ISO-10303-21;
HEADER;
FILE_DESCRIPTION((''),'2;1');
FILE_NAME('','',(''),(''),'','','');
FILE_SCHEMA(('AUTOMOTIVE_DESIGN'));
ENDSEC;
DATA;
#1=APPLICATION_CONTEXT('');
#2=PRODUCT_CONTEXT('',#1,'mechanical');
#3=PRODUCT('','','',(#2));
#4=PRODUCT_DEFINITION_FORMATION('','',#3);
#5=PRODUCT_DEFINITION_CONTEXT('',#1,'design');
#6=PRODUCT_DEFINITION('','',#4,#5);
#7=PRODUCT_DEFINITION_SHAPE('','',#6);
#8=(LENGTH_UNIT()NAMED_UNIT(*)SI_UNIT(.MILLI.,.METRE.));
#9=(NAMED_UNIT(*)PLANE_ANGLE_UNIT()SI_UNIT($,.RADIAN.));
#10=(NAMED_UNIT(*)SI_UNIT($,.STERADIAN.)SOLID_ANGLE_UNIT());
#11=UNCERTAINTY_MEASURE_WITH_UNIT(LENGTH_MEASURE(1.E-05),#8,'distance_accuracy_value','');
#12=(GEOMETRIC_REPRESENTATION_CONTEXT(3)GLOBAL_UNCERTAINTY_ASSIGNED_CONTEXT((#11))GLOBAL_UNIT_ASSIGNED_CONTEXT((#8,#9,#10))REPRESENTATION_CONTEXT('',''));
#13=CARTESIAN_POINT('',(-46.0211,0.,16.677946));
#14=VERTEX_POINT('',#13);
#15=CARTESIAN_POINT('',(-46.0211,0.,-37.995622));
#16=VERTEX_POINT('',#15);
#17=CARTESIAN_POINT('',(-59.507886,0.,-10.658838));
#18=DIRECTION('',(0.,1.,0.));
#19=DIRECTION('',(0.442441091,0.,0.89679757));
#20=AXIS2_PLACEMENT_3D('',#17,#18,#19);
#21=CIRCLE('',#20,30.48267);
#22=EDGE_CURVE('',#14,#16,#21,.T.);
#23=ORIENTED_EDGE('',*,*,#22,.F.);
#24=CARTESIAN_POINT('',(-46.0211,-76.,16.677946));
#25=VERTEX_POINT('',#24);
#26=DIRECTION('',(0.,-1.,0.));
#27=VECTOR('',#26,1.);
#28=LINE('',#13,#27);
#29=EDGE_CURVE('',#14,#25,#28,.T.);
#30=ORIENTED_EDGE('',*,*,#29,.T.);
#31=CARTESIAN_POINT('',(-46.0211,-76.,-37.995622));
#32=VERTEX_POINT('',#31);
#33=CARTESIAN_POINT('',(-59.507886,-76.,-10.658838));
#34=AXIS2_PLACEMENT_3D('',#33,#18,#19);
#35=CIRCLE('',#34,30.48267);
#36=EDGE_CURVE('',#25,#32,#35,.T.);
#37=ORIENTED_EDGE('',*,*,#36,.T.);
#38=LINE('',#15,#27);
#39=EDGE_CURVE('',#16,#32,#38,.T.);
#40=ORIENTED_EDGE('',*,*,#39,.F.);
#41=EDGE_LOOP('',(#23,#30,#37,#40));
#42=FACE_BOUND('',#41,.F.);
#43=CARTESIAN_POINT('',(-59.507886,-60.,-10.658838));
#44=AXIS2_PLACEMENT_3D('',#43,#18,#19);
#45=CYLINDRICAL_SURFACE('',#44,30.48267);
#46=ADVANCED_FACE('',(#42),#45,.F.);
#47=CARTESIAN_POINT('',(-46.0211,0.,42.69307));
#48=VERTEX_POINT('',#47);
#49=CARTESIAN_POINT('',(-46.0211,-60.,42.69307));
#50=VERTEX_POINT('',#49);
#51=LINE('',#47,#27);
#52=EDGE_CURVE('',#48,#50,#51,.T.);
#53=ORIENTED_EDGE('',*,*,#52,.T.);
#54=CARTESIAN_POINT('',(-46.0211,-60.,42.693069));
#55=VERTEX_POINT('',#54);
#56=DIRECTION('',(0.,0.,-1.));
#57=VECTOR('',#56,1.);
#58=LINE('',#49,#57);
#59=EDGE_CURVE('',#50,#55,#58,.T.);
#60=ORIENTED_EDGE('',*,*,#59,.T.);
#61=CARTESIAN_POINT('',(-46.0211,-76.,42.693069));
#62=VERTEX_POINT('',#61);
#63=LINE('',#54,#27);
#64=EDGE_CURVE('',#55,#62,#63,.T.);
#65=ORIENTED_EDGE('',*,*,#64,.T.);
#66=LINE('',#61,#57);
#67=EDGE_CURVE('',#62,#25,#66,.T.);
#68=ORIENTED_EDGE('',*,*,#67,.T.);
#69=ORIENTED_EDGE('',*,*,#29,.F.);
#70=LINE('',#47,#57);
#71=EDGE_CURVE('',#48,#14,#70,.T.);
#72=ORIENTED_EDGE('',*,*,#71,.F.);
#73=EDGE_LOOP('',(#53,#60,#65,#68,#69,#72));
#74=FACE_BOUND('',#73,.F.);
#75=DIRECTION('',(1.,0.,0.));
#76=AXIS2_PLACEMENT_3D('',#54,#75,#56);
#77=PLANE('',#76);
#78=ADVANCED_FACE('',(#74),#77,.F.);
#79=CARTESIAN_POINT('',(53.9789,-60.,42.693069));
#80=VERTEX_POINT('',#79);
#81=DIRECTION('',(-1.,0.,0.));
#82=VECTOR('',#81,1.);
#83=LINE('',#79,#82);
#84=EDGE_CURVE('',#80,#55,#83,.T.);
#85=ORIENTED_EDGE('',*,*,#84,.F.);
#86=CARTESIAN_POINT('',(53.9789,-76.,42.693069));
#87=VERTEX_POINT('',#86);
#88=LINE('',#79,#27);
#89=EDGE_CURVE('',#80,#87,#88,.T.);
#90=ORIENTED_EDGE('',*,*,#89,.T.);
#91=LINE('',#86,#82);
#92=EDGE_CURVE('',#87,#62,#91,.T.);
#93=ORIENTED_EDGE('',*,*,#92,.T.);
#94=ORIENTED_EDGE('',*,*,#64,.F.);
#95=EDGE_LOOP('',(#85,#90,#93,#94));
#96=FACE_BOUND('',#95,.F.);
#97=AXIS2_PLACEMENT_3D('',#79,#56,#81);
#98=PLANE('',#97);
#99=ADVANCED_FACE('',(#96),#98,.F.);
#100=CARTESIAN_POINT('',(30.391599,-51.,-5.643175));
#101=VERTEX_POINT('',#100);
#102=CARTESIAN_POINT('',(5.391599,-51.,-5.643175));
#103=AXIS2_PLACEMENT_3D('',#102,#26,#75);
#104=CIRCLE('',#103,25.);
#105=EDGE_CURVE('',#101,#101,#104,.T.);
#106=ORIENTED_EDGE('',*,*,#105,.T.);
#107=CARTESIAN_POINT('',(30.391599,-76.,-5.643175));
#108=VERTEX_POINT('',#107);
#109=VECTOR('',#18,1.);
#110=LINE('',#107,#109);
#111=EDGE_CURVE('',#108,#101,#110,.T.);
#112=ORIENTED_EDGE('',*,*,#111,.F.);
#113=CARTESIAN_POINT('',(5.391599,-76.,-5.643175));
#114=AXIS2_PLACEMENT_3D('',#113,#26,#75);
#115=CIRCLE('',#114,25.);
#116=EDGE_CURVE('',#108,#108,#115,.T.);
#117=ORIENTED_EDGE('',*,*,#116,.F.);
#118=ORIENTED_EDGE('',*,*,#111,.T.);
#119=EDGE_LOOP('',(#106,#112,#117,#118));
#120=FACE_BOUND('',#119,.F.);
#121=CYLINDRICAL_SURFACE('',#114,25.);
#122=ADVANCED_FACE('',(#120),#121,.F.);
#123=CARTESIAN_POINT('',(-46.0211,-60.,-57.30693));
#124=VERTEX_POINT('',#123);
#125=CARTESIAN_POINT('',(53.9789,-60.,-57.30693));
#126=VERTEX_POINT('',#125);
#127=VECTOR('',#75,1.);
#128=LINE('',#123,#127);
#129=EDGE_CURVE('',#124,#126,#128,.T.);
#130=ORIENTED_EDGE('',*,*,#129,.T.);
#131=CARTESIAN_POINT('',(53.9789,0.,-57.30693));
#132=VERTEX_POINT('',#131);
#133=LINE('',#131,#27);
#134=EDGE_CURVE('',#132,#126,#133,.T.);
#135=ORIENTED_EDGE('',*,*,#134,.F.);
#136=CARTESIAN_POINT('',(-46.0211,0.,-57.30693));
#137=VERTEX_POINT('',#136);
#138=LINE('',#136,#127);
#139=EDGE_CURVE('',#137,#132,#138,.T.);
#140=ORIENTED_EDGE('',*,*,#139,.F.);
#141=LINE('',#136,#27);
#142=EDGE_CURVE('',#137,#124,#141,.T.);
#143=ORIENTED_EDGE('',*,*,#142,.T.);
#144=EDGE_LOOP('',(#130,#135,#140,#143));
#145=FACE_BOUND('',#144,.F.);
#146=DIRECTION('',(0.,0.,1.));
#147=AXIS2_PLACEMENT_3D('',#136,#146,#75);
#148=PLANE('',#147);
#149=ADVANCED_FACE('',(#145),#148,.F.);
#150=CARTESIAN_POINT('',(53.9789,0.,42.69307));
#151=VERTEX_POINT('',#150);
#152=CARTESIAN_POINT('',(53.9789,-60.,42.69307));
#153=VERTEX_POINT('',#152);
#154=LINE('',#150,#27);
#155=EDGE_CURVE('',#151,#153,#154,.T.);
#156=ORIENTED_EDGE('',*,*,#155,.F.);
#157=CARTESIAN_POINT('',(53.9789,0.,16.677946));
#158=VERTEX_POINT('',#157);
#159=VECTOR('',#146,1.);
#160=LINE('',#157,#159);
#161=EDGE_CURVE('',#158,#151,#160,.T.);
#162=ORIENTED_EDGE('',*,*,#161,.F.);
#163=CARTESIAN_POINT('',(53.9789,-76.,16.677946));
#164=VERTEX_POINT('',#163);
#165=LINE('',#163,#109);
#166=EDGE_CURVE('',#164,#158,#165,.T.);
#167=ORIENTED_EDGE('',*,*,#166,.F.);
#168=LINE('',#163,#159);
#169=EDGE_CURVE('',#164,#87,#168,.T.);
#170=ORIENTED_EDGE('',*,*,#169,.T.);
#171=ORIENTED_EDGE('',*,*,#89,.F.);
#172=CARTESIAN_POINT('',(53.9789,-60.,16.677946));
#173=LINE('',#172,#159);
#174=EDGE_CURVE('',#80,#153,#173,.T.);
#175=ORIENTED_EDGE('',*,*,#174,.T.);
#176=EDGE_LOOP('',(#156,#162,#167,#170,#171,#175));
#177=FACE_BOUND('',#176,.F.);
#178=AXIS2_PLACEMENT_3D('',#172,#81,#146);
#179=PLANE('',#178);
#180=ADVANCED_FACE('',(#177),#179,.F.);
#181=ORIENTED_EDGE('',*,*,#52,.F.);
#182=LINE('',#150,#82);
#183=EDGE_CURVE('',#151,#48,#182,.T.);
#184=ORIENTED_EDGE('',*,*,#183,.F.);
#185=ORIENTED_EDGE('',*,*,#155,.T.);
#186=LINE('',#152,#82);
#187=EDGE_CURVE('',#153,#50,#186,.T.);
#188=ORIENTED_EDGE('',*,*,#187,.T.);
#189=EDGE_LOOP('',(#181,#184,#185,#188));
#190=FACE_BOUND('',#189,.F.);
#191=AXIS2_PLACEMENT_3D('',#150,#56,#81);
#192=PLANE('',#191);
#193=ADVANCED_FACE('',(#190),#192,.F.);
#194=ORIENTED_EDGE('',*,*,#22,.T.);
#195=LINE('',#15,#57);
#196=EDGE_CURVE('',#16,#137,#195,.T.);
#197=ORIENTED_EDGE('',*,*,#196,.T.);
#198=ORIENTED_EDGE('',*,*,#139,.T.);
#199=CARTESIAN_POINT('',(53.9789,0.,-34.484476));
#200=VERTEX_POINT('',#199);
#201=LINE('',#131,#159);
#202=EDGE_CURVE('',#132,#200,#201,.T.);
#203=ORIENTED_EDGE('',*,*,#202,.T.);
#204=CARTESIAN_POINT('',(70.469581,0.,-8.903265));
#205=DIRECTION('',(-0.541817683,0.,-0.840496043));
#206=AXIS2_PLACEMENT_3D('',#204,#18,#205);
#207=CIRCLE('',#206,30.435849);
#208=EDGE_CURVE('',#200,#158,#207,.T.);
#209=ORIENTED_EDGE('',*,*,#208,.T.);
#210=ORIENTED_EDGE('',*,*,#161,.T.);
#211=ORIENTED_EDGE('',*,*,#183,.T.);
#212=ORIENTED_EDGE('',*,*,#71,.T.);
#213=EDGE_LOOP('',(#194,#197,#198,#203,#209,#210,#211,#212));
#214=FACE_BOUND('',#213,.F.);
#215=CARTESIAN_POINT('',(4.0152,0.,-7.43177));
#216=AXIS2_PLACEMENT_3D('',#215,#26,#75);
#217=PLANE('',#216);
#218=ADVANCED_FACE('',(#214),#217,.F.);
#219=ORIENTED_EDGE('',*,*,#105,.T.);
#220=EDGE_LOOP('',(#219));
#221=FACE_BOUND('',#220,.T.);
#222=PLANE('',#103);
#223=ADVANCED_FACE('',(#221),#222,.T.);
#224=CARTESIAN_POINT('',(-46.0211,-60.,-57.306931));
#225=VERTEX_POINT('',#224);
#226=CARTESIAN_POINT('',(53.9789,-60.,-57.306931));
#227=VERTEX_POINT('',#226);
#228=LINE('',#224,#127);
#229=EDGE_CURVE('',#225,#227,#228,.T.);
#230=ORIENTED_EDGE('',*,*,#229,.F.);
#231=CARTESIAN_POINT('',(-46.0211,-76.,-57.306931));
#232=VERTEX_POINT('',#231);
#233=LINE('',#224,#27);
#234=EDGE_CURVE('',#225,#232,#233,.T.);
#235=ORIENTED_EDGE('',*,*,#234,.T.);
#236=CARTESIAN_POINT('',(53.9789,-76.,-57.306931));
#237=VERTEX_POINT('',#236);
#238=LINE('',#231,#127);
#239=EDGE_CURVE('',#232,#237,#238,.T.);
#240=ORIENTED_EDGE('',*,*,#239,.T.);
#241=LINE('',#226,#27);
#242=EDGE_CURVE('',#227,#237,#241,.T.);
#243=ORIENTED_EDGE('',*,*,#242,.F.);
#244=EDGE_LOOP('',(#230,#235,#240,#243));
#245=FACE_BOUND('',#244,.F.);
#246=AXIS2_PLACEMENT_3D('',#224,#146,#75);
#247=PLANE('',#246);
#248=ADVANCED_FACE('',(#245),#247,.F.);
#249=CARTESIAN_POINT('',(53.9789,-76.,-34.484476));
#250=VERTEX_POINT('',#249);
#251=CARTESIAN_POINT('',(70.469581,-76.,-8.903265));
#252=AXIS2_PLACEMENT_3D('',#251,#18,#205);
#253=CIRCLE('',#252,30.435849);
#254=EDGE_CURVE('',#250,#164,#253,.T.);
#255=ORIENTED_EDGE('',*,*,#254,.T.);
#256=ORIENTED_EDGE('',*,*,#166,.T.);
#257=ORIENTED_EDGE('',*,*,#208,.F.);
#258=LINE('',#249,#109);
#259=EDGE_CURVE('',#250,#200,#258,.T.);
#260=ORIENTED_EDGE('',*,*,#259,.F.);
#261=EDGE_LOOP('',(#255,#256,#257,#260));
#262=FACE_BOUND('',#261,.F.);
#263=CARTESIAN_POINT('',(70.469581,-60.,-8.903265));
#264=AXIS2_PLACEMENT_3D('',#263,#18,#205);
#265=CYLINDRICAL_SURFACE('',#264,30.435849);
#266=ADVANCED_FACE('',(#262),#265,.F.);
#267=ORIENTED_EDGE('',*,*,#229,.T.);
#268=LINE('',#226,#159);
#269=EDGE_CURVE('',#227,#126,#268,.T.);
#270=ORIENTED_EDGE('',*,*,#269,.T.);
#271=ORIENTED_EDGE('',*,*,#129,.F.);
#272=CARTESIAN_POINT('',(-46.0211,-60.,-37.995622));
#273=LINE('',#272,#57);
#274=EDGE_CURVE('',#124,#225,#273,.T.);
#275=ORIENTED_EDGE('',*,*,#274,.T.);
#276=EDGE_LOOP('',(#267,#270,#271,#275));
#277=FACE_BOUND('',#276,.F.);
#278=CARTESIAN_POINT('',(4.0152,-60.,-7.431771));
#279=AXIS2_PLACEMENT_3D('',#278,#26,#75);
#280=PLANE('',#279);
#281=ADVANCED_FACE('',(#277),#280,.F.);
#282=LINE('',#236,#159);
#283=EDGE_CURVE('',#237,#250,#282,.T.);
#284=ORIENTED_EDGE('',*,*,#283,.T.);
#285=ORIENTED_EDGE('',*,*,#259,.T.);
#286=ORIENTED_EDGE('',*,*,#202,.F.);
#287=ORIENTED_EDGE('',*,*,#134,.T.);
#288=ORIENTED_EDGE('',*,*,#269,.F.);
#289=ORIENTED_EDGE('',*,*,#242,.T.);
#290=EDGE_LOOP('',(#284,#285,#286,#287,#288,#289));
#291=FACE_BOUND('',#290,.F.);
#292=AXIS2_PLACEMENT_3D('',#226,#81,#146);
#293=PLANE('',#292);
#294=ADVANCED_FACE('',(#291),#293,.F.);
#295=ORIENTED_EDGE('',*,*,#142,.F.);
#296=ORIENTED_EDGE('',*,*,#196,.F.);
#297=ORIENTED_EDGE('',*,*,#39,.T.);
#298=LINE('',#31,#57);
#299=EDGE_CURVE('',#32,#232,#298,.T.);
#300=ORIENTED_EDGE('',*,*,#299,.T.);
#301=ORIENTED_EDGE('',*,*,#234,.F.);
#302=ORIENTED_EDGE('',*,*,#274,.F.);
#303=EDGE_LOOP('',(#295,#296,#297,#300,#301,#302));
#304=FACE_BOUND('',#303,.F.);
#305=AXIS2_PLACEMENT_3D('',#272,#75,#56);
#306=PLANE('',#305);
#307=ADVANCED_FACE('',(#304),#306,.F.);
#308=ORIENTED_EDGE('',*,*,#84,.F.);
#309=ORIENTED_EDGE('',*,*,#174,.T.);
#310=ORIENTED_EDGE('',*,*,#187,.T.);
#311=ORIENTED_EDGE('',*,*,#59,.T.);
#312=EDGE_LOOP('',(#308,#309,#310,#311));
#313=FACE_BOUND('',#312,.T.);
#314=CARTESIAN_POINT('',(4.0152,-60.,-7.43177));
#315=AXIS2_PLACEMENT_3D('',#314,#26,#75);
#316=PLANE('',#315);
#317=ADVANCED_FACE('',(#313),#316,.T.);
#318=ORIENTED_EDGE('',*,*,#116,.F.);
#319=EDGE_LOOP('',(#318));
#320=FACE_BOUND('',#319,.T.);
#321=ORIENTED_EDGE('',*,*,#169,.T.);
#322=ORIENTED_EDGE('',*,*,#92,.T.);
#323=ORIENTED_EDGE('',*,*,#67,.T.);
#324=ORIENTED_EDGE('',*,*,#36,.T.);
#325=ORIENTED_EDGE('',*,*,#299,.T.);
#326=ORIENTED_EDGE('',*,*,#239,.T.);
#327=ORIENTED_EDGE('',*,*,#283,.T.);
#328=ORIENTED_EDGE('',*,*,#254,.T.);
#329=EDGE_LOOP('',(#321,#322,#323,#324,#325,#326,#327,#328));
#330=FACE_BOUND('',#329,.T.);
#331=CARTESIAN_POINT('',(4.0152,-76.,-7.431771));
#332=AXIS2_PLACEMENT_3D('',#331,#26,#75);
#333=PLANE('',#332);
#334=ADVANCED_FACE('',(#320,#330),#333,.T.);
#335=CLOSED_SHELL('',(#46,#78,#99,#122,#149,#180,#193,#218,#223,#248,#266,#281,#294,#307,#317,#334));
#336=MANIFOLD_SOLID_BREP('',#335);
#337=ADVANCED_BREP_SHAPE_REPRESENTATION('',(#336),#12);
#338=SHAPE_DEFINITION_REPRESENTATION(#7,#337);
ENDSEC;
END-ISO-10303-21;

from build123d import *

# Parameters (mm, degrees)
F1_DEPTH = 60
F2_DEPTH = 16
F3_R     = 25
F4_DEPTH = 25


with BuildPart() as f1:
    # F0 (on Front) → F1 (new body)
    with BuildSketch(Plane.XZ):
        with BuildLine():
            Line((53.9789, 42.69307), (-46.0211, 42.69307))
            Line((-46.0211, 42.69307), (-46.0211, 16.677946))
            ThreePointArc((-46.0211, 16.677946), (-29.025216, -10.658838), (-46.0211, -37.995622))
            Line((-46.0211, -37.995622), (-46.0211, -57.30693))
            Line((-46.0211, -57.30693), (53.9789, -57.30693))
            Line((53.9789, -57.30693), (53.9789, -34.484476))
            ThreePointArc((53.9789, -34.484476), (40.033732, -8.903265), (53.9789, 16.677946))
            Line((53.9789, 16.677946), (53.9789, 42.69307))
        make_face()
    extrude(amount=F1_DEPTH)

    # F1_face (on face) → F2 (join)
    with BuildSketch(Plane(origin=(4.695397, -60, -6.963667), x_dir=(1, 0, 0), z_dir=(0, -1, 0))):
        with BuildLine():
            Line((49.283503, 23.641613), (49.283503, 49.656736))
            Line((49.283503, 49.656736), (-50.716497, 49.656736))
            Line((-50.716497, 49.656736), (-50.716497, 23.641613))
            ThreePointArc((-50.716497, 23.641613), (-33.720613, -3.695171), (-50.716497, -31.031955))
            Line((-50.716497, -31.031955), (-50.716497, -50.343264))
            Line((-50.716497, -50.343264), (49.283503, -50.343264))
            Line((49.283503, -50.343264), (49.283503, -27.520809))
            ThreePointArc((49.283503, -27.520809), (35.338335, -1.939598), (49.283503, 23.641613))
        make_face()
    extrude(amount=F2_DEPTH)

    # F3 (on face) → F4 (cut)
    with BuildSketch(Plane.XZ.offset(76)):
        with Locations((5.391599, -5.643175)):
            Circle(F3_R)
    extrude(amount=-F4_DEPTH, mode=Mode.SUBTRACT)


solid = f1.part
